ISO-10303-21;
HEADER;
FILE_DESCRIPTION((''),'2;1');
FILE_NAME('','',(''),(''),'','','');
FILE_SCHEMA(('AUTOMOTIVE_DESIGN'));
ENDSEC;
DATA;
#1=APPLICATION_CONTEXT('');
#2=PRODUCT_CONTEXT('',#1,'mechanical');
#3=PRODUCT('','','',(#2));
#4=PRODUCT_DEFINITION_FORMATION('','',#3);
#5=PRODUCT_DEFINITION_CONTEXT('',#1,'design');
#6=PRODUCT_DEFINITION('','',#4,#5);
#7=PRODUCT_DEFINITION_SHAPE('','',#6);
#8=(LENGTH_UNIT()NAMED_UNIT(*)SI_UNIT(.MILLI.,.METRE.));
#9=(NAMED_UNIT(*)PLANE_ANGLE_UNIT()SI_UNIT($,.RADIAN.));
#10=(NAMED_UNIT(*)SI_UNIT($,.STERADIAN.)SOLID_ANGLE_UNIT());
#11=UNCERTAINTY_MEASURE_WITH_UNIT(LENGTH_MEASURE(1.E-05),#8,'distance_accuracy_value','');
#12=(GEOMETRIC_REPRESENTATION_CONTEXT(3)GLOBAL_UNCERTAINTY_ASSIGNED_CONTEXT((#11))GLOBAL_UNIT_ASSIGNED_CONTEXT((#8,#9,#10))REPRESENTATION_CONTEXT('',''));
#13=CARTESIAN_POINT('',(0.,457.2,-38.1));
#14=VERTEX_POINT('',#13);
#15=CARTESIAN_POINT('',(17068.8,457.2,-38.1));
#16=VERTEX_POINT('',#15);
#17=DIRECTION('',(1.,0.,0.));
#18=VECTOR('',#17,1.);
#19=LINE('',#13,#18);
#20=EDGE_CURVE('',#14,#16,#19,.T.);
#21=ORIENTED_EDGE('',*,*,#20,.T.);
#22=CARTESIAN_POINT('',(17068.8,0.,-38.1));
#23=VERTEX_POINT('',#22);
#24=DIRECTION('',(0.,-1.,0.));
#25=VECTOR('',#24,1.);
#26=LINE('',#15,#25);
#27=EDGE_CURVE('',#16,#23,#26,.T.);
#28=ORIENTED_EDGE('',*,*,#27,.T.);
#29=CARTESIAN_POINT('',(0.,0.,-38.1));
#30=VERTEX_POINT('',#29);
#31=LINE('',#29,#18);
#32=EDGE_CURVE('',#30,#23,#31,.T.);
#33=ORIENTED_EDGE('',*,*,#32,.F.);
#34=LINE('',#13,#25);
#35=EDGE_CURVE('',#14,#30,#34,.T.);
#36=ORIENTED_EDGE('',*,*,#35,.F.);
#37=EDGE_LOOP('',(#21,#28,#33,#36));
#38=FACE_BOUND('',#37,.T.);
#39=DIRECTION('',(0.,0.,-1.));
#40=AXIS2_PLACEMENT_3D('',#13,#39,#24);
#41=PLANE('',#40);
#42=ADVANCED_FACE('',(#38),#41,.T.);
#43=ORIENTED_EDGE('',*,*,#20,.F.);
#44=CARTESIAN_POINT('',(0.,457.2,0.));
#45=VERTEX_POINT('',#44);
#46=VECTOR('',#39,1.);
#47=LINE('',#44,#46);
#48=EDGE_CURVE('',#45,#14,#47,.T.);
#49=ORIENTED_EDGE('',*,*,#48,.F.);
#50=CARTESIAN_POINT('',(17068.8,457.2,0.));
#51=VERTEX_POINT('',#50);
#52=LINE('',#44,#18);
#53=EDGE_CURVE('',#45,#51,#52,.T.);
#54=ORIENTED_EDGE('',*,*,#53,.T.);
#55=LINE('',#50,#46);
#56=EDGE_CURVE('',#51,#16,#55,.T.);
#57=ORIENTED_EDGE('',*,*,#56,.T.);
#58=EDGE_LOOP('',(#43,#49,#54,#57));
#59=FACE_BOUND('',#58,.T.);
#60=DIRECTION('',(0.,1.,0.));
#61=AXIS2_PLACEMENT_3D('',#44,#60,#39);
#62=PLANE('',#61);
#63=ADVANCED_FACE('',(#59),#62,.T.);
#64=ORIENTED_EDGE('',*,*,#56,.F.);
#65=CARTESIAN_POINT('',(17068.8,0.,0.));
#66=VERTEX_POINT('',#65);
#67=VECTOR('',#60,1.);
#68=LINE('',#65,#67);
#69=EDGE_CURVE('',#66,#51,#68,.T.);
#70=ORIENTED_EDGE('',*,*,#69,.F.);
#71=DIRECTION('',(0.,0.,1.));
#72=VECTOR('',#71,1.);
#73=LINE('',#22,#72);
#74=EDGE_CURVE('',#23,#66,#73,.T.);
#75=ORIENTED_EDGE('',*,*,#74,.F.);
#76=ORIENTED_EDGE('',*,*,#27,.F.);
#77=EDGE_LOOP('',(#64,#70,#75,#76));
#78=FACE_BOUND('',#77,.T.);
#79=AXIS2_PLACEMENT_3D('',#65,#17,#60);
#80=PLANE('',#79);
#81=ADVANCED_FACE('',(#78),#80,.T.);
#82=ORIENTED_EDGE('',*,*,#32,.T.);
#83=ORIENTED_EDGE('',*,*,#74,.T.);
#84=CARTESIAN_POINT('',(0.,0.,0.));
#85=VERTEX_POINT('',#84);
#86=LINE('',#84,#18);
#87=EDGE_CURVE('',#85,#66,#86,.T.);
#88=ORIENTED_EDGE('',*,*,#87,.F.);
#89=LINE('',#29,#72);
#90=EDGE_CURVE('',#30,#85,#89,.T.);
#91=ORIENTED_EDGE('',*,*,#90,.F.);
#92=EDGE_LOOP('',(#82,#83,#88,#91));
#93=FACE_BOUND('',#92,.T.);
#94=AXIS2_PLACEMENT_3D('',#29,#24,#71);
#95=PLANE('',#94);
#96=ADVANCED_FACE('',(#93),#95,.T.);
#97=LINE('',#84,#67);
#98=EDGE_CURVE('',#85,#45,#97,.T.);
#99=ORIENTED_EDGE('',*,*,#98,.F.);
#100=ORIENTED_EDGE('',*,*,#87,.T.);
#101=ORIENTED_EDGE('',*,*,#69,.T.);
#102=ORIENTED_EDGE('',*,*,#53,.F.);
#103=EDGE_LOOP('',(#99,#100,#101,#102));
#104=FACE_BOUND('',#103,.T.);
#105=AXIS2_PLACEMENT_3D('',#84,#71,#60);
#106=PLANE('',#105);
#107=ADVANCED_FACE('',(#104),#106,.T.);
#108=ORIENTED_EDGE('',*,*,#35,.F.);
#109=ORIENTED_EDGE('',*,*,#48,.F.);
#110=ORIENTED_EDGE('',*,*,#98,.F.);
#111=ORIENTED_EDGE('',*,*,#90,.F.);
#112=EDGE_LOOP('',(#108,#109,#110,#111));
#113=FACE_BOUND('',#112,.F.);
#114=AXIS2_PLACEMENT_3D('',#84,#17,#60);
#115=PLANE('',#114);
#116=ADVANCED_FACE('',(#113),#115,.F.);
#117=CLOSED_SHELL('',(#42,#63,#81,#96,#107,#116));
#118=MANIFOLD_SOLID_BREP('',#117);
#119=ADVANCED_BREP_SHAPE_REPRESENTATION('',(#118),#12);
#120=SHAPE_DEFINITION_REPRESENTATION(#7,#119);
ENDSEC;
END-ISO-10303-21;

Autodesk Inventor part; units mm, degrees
ref_plane "YZ Plane" through (0, 0, 0) normal (1, 0, 0) x (0, 1, 0)
ref_plane "XZ Plane" through (0, 0, 0) normal (0, 1, 0) x (-1, 0, 0)
ref_plane "XY Plane" through (0, 0, 0) normal (0, 0, 1) x (1, 0, 0)
sketch "Sketch1" plane through (0, 0, 0) normal (1, 0, 0) x (0, 1, 0)
  line L0 (0, 0) -> (457.2, 0)
  line L1 (457.2, 0) -> (457.2, -38.1)
  line L2 (457.2, -38.1) -> (0, -38.1)
  line L3 (0, -38.1) -> (0, 0)
  dimension "d0" = 457.2
  dimension "d1" = 38.1
extrude "Extrusion1" add sketch "Sketch1" along normal blind 17068.8
properties part number "Game Design Field Wall"
